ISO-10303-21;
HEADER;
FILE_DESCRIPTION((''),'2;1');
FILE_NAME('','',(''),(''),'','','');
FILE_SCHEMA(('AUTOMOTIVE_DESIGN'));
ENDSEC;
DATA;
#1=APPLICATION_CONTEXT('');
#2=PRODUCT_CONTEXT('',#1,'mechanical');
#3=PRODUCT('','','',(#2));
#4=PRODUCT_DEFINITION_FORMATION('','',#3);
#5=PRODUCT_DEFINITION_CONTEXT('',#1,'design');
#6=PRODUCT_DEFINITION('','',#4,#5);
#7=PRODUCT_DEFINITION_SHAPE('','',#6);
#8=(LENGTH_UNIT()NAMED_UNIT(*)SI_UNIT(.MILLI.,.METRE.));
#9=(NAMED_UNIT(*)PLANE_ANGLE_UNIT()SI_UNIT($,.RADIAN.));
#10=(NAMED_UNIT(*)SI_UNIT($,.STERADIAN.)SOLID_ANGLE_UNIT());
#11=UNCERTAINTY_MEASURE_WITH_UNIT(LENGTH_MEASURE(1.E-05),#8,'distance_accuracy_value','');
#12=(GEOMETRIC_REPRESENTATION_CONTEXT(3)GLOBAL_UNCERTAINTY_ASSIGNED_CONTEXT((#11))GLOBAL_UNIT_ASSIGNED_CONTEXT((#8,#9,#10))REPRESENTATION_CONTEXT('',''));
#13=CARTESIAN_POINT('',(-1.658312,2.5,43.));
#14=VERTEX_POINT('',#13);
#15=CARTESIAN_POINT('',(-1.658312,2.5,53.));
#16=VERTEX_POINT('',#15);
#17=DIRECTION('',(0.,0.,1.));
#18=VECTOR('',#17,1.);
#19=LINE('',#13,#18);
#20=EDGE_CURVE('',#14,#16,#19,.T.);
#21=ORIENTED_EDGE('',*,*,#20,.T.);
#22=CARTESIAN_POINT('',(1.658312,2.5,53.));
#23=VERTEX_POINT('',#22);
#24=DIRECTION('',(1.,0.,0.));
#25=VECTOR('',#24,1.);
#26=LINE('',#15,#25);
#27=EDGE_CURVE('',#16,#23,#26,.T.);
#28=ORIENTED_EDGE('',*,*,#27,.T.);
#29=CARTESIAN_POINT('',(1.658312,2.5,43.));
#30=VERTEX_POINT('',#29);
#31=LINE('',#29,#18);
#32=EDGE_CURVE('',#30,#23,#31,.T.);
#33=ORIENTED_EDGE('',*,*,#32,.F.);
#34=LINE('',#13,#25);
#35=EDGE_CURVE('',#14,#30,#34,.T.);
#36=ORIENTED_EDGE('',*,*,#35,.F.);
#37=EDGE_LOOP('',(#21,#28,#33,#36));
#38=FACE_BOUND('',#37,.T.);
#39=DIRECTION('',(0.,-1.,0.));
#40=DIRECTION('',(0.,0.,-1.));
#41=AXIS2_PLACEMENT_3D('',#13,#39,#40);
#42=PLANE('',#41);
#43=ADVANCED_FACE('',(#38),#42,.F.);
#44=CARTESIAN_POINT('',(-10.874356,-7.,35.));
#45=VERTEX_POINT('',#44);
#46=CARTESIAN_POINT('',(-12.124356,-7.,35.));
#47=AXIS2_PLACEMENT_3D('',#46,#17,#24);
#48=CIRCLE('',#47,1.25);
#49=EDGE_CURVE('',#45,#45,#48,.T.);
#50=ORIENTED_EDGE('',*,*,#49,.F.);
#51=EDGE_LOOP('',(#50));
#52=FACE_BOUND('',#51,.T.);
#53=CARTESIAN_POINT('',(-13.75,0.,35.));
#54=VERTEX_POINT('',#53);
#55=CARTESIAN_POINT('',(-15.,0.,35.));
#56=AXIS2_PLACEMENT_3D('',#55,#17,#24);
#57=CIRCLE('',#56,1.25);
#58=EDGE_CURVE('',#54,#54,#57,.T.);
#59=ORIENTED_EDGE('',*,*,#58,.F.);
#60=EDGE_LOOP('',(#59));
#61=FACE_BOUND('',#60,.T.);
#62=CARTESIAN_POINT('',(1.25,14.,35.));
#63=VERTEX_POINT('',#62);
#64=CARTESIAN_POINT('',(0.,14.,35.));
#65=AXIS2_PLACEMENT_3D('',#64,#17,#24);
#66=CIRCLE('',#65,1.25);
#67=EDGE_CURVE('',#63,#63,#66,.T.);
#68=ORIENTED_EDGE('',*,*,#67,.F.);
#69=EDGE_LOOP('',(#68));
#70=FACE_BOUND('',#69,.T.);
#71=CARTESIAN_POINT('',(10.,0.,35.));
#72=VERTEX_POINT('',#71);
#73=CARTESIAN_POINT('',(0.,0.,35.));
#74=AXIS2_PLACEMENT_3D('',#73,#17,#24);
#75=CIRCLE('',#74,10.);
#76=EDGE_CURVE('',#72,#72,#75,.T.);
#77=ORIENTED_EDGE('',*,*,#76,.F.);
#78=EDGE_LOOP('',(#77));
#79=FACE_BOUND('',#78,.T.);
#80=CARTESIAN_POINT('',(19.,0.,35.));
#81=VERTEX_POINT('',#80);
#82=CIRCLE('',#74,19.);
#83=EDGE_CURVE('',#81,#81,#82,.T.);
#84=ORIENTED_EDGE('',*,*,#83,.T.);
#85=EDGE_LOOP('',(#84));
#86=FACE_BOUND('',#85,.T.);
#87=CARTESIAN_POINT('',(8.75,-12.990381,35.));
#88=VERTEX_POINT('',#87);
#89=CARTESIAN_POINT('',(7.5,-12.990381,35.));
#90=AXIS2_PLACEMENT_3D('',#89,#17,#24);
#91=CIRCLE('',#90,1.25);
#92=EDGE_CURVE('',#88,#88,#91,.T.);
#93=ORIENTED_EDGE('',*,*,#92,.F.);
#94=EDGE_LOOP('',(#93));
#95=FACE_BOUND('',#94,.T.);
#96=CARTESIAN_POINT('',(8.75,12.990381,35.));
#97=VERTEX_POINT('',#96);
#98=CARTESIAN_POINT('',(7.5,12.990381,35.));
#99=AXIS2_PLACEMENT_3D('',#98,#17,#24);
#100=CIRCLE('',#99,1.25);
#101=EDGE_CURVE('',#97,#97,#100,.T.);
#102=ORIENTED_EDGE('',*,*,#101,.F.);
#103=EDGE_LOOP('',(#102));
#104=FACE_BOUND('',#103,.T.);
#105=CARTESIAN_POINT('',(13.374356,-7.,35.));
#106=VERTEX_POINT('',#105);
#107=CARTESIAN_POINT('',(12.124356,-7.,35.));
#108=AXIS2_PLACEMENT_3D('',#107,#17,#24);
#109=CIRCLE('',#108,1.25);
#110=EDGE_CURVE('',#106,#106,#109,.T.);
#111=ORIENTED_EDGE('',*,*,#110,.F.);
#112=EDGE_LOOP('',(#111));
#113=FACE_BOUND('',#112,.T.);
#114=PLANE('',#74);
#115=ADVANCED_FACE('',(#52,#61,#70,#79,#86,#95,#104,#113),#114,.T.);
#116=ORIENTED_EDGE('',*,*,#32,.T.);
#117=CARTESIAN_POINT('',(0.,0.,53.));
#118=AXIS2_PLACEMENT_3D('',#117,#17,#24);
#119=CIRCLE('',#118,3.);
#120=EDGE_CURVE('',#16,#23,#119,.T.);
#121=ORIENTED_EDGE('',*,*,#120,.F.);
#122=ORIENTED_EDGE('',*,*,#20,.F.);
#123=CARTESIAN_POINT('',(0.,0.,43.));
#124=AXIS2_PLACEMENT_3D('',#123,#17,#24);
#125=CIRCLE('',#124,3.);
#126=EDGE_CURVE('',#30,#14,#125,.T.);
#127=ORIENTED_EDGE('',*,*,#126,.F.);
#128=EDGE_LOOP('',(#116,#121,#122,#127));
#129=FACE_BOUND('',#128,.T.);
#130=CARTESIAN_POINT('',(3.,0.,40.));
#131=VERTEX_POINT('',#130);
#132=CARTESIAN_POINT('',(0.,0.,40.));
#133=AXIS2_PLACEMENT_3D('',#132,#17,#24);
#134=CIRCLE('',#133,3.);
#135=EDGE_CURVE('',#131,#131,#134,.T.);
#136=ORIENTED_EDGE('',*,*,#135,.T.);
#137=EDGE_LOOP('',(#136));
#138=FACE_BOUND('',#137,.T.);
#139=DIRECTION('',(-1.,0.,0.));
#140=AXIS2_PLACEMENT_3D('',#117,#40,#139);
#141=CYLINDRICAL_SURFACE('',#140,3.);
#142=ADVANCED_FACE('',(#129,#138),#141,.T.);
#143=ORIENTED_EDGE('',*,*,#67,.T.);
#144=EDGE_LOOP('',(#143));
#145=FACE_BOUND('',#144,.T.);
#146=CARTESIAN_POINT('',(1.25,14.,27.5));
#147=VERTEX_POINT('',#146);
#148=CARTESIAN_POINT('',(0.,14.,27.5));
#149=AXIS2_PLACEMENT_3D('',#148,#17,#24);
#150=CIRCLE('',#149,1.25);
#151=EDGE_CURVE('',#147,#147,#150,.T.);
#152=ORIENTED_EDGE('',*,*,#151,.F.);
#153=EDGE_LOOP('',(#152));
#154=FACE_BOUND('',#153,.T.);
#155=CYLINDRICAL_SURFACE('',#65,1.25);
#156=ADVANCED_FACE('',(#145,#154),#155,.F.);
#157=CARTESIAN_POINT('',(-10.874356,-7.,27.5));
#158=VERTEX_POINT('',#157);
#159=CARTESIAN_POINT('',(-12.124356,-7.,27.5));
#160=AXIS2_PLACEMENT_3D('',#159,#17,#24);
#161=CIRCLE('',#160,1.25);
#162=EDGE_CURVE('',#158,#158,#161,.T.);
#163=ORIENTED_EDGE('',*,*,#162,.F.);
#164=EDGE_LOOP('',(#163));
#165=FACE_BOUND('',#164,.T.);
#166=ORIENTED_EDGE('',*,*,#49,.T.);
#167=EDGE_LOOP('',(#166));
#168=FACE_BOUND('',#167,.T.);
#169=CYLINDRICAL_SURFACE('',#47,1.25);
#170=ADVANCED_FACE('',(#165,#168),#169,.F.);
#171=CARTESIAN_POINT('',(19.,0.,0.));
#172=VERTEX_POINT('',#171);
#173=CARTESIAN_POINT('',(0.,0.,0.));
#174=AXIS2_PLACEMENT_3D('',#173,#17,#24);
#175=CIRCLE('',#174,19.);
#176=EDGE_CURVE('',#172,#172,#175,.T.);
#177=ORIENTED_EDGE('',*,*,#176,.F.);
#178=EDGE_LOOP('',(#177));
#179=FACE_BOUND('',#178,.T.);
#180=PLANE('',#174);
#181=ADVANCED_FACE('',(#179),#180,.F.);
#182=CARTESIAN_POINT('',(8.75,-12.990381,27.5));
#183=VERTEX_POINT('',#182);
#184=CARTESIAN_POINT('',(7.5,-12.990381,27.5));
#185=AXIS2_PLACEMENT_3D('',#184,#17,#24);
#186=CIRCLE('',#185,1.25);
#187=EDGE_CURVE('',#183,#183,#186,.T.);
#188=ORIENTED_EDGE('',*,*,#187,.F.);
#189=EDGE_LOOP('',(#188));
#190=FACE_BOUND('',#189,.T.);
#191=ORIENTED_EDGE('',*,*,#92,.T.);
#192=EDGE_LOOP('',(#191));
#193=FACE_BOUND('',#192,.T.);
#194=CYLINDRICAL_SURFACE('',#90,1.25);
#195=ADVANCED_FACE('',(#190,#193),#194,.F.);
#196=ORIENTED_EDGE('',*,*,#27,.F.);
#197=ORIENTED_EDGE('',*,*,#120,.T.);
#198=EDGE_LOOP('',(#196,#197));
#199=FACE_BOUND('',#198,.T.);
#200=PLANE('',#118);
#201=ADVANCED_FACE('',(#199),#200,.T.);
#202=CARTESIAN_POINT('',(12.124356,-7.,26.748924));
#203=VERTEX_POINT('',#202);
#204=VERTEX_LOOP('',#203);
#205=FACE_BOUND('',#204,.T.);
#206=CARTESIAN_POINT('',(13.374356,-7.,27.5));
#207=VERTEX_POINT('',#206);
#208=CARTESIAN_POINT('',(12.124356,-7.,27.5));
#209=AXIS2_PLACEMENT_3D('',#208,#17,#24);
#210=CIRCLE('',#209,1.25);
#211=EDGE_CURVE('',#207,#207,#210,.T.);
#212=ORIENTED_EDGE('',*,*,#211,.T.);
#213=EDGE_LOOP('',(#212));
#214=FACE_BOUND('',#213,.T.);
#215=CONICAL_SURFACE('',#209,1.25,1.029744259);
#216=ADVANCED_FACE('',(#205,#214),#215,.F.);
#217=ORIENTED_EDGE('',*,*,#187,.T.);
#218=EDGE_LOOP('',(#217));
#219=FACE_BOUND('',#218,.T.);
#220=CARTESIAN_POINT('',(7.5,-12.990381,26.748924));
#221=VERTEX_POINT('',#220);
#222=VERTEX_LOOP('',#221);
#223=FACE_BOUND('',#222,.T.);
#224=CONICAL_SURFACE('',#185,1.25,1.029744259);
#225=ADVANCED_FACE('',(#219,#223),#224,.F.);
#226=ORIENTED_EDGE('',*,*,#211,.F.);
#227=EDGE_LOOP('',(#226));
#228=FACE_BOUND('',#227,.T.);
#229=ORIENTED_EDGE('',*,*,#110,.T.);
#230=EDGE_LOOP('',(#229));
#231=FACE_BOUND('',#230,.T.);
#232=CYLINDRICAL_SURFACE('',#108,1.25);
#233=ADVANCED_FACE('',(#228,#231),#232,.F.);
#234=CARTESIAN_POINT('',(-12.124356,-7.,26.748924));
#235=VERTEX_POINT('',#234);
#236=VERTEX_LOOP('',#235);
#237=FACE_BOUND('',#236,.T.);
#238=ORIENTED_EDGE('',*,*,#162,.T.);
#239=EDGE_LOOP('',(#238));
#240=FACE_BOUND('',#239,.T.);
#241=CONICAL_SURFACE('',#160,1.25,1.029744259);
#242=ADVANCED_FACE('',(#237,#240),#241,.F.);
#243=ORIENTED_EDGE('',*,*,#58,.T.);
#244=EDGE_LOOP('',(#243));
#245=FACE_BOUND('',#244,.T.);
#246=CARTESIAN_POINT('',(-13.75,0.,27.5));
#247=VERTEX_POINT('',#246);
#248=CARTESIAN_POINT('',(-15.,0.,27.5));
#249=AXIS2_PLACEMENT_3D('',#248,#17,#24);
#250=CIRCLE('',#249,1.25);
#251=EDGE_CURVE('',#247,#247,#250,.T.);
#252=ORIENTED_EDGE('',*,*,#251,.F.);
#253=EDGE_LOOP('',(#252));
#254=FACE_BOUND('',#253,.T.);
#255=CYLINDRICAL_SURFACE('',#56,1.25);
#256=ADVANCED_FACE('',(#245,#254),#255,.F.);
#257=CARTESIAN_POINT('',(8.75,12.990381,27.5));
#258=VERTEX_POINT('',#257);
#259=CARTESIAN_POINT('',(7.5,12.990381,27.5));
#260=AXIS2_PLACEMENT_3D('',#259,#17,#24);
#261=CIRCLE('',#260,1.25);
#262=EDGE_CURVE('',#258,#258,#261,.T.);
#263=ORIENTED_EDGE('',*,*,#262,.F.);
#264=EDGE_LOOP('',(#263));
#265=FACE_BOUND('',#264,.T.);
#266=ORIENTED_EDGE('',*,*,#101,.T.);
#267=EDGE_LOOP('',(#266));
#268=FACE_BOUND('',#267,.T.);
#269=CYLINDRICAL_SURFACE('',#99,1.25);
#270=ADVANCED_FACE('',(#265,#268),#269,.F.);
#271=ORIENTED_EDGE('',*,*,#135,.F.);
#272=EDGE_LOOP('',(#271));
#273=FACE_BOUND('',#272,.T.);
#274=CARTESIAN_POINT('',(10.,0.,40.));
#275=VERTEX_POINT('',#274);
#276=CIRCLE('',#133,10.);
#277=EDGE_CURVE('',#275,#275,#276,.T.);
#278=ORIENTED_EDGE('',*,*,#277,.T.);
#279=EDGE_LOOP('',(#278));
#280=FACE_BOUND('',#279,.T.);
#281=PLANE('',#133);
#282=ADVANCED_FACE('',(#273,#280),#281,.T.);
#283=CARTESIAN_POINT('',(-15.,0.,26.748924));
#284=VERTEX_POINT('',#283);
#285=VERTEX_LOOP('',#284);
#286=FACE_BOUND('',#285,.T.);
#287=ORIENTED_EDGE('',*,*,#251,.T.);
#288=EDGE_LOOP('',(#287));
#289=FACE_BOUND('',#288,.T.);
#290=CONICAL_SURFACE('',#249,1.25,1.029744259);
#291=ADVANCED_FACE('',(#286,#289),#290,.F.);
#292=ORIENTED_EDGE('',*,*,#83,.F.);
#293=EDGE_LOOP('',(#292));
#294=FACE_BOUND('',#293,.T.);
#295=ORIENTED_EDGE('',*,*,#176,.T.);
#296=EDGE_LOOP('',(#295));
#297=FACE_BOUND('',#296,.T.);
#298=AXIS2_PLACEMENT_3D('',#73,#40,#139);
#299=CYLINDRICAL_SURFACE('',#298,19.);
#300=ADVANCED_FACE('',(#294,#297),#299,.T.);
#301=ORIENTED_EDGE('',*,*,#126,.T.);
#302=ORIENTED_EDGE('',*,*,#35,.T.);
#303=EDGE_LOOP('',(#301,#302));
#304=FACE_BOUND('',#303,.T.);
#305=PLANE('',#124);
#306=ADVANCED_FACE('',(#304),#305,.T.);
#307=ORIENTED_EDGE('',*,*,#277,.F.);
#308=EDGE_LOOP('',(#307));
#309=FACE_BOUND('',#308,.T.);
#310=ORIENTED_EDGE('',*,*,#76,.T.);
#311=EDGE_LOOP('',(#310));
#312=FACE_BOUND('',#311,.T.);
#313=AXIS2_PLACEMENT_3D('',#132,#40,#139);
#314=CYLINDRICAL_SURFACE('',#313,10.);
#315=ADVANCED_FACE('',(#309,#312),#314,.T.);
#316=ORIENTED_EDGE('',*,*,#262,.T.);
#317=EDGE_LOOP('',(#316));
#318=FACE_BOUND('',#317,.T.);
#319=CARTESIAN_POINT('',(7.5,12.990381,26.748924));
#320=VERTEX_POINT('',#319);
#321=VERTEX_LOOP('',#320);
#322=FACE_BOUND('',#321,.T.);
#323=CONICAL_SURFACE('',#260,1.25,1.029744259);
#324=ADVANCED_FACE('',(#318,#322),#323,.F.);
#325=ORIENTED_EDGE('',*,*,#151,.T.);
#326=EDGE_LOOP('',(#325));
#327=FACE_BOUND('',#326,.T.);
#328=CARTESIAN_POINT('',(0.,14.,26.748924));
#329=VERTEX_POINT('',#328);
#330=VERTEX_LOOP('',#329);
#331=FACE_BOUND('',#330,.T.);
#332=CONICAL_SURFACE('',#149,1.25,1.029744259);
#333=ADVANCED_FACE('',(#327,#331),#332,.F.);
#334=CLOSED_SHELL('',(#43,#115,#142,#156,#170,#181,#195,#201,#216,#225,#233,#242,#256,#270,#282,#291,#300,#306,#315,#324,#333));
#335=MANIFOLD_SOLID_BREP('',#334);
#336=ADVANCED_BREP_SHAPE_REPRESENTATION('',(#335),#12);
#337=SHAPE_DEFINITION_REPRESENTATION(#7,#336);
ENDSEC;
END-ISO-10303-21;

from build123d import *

# Parameters (mm, degrees)
SKETCH1_R                 = 19
BOSS_EXTRUDE1_DEPTH       = 35
BOSS_EXTRUDE2_START       = 35
SKETCH2_R                 = 10
BOSS_EXTRUDE2_DEPTH       = 5
BOSS_EXTRUDE3_START       = 40
SKETCH3_R                 = 3
BOSS_EXTRUDE3_DEPTH       = 13
CUT_EXTRUDE1_START        = -10
CUT_EXTRUDE1_DEPTH        = 10
M3X0_5_TAPPED_HOLE1_D     = 2.5
M3X0_5_TAPPED_HOLE1_DEPTH = 7.5
M3X0_5_TAPPED_HOLE1_TIP   = 0.751075774


with BuildPart() as part:
    # Sketch1 → Boss-Extrude1 (new body)
    with BuildSketch(Plane.XY):
        Circle(SKETCH1_R)
    extrude(amount=BOSS_EXTRUDE1_DEPTH)

    # Sketch2 → Boss-Extrude2 (add)
    with BuildSketch(Plane.XY.offset(BOSS_EXTRUDE2_START)):
        Circle(SKETCH2_R)
    extrude(amount=BOSS_EXTRUDE2_DEPTH)

    # Sketch3 → Boss-Extrude3 (add)
    with BuildSketch(Plane.XY.offset(BOSS_EXTRUDE3_START)):
        with Locations(Location((0, 0, 0), (0, 0, 180))):
            Circle(SKETCH3_R)
    extrude(amount=BOSS_EXTRUDE3_DEPTH)

    # Sketch4 → Cut-Extrude1 (cut)
    with BuildSketch(Plane.XY.offset(53).offset(CUT_EXTRUDE1_START)):
        with BuildLine():
            Line((-1.658312395, 2.5), (1.658312395, 2.5))
            ThreePointArc((1.658312395, 2.5), (0, 3), (-1.658312395, 2.5))
        make_face()
    extrude(amount=CUT_EXTRUDE1_DEPTH, mode=Mode.SUBTRACT)

    # M3x0.5 Tapped Hole1
    with Locations(Plane.XY.offset(35)):
        with Locations((0, 14), (7.5, 12.990381057), (12.124355653, -7), (7.5, -12.990381057), (-12.124355653, -7), (-15, 0)):
            Hole(M3X0_5_TAPPED_HOLE1_D / 2, depth=M3X0_5_TAPPED_HOLE1_DEPTH)
            with Locations((0, 0, -(M3X0_5_TAPPED_HOLE1_DEPTH + M3X0_5_TAPPED_HOLE1_TIP / 2))):  # 118° drill point
                Cone(0, M3X0_5_TAPPED_HOLE1_D / 2, M3X0_5_TAPPED_HOLE1_TIP, mode=Mode.SUBTRACT)


solid = part.part
